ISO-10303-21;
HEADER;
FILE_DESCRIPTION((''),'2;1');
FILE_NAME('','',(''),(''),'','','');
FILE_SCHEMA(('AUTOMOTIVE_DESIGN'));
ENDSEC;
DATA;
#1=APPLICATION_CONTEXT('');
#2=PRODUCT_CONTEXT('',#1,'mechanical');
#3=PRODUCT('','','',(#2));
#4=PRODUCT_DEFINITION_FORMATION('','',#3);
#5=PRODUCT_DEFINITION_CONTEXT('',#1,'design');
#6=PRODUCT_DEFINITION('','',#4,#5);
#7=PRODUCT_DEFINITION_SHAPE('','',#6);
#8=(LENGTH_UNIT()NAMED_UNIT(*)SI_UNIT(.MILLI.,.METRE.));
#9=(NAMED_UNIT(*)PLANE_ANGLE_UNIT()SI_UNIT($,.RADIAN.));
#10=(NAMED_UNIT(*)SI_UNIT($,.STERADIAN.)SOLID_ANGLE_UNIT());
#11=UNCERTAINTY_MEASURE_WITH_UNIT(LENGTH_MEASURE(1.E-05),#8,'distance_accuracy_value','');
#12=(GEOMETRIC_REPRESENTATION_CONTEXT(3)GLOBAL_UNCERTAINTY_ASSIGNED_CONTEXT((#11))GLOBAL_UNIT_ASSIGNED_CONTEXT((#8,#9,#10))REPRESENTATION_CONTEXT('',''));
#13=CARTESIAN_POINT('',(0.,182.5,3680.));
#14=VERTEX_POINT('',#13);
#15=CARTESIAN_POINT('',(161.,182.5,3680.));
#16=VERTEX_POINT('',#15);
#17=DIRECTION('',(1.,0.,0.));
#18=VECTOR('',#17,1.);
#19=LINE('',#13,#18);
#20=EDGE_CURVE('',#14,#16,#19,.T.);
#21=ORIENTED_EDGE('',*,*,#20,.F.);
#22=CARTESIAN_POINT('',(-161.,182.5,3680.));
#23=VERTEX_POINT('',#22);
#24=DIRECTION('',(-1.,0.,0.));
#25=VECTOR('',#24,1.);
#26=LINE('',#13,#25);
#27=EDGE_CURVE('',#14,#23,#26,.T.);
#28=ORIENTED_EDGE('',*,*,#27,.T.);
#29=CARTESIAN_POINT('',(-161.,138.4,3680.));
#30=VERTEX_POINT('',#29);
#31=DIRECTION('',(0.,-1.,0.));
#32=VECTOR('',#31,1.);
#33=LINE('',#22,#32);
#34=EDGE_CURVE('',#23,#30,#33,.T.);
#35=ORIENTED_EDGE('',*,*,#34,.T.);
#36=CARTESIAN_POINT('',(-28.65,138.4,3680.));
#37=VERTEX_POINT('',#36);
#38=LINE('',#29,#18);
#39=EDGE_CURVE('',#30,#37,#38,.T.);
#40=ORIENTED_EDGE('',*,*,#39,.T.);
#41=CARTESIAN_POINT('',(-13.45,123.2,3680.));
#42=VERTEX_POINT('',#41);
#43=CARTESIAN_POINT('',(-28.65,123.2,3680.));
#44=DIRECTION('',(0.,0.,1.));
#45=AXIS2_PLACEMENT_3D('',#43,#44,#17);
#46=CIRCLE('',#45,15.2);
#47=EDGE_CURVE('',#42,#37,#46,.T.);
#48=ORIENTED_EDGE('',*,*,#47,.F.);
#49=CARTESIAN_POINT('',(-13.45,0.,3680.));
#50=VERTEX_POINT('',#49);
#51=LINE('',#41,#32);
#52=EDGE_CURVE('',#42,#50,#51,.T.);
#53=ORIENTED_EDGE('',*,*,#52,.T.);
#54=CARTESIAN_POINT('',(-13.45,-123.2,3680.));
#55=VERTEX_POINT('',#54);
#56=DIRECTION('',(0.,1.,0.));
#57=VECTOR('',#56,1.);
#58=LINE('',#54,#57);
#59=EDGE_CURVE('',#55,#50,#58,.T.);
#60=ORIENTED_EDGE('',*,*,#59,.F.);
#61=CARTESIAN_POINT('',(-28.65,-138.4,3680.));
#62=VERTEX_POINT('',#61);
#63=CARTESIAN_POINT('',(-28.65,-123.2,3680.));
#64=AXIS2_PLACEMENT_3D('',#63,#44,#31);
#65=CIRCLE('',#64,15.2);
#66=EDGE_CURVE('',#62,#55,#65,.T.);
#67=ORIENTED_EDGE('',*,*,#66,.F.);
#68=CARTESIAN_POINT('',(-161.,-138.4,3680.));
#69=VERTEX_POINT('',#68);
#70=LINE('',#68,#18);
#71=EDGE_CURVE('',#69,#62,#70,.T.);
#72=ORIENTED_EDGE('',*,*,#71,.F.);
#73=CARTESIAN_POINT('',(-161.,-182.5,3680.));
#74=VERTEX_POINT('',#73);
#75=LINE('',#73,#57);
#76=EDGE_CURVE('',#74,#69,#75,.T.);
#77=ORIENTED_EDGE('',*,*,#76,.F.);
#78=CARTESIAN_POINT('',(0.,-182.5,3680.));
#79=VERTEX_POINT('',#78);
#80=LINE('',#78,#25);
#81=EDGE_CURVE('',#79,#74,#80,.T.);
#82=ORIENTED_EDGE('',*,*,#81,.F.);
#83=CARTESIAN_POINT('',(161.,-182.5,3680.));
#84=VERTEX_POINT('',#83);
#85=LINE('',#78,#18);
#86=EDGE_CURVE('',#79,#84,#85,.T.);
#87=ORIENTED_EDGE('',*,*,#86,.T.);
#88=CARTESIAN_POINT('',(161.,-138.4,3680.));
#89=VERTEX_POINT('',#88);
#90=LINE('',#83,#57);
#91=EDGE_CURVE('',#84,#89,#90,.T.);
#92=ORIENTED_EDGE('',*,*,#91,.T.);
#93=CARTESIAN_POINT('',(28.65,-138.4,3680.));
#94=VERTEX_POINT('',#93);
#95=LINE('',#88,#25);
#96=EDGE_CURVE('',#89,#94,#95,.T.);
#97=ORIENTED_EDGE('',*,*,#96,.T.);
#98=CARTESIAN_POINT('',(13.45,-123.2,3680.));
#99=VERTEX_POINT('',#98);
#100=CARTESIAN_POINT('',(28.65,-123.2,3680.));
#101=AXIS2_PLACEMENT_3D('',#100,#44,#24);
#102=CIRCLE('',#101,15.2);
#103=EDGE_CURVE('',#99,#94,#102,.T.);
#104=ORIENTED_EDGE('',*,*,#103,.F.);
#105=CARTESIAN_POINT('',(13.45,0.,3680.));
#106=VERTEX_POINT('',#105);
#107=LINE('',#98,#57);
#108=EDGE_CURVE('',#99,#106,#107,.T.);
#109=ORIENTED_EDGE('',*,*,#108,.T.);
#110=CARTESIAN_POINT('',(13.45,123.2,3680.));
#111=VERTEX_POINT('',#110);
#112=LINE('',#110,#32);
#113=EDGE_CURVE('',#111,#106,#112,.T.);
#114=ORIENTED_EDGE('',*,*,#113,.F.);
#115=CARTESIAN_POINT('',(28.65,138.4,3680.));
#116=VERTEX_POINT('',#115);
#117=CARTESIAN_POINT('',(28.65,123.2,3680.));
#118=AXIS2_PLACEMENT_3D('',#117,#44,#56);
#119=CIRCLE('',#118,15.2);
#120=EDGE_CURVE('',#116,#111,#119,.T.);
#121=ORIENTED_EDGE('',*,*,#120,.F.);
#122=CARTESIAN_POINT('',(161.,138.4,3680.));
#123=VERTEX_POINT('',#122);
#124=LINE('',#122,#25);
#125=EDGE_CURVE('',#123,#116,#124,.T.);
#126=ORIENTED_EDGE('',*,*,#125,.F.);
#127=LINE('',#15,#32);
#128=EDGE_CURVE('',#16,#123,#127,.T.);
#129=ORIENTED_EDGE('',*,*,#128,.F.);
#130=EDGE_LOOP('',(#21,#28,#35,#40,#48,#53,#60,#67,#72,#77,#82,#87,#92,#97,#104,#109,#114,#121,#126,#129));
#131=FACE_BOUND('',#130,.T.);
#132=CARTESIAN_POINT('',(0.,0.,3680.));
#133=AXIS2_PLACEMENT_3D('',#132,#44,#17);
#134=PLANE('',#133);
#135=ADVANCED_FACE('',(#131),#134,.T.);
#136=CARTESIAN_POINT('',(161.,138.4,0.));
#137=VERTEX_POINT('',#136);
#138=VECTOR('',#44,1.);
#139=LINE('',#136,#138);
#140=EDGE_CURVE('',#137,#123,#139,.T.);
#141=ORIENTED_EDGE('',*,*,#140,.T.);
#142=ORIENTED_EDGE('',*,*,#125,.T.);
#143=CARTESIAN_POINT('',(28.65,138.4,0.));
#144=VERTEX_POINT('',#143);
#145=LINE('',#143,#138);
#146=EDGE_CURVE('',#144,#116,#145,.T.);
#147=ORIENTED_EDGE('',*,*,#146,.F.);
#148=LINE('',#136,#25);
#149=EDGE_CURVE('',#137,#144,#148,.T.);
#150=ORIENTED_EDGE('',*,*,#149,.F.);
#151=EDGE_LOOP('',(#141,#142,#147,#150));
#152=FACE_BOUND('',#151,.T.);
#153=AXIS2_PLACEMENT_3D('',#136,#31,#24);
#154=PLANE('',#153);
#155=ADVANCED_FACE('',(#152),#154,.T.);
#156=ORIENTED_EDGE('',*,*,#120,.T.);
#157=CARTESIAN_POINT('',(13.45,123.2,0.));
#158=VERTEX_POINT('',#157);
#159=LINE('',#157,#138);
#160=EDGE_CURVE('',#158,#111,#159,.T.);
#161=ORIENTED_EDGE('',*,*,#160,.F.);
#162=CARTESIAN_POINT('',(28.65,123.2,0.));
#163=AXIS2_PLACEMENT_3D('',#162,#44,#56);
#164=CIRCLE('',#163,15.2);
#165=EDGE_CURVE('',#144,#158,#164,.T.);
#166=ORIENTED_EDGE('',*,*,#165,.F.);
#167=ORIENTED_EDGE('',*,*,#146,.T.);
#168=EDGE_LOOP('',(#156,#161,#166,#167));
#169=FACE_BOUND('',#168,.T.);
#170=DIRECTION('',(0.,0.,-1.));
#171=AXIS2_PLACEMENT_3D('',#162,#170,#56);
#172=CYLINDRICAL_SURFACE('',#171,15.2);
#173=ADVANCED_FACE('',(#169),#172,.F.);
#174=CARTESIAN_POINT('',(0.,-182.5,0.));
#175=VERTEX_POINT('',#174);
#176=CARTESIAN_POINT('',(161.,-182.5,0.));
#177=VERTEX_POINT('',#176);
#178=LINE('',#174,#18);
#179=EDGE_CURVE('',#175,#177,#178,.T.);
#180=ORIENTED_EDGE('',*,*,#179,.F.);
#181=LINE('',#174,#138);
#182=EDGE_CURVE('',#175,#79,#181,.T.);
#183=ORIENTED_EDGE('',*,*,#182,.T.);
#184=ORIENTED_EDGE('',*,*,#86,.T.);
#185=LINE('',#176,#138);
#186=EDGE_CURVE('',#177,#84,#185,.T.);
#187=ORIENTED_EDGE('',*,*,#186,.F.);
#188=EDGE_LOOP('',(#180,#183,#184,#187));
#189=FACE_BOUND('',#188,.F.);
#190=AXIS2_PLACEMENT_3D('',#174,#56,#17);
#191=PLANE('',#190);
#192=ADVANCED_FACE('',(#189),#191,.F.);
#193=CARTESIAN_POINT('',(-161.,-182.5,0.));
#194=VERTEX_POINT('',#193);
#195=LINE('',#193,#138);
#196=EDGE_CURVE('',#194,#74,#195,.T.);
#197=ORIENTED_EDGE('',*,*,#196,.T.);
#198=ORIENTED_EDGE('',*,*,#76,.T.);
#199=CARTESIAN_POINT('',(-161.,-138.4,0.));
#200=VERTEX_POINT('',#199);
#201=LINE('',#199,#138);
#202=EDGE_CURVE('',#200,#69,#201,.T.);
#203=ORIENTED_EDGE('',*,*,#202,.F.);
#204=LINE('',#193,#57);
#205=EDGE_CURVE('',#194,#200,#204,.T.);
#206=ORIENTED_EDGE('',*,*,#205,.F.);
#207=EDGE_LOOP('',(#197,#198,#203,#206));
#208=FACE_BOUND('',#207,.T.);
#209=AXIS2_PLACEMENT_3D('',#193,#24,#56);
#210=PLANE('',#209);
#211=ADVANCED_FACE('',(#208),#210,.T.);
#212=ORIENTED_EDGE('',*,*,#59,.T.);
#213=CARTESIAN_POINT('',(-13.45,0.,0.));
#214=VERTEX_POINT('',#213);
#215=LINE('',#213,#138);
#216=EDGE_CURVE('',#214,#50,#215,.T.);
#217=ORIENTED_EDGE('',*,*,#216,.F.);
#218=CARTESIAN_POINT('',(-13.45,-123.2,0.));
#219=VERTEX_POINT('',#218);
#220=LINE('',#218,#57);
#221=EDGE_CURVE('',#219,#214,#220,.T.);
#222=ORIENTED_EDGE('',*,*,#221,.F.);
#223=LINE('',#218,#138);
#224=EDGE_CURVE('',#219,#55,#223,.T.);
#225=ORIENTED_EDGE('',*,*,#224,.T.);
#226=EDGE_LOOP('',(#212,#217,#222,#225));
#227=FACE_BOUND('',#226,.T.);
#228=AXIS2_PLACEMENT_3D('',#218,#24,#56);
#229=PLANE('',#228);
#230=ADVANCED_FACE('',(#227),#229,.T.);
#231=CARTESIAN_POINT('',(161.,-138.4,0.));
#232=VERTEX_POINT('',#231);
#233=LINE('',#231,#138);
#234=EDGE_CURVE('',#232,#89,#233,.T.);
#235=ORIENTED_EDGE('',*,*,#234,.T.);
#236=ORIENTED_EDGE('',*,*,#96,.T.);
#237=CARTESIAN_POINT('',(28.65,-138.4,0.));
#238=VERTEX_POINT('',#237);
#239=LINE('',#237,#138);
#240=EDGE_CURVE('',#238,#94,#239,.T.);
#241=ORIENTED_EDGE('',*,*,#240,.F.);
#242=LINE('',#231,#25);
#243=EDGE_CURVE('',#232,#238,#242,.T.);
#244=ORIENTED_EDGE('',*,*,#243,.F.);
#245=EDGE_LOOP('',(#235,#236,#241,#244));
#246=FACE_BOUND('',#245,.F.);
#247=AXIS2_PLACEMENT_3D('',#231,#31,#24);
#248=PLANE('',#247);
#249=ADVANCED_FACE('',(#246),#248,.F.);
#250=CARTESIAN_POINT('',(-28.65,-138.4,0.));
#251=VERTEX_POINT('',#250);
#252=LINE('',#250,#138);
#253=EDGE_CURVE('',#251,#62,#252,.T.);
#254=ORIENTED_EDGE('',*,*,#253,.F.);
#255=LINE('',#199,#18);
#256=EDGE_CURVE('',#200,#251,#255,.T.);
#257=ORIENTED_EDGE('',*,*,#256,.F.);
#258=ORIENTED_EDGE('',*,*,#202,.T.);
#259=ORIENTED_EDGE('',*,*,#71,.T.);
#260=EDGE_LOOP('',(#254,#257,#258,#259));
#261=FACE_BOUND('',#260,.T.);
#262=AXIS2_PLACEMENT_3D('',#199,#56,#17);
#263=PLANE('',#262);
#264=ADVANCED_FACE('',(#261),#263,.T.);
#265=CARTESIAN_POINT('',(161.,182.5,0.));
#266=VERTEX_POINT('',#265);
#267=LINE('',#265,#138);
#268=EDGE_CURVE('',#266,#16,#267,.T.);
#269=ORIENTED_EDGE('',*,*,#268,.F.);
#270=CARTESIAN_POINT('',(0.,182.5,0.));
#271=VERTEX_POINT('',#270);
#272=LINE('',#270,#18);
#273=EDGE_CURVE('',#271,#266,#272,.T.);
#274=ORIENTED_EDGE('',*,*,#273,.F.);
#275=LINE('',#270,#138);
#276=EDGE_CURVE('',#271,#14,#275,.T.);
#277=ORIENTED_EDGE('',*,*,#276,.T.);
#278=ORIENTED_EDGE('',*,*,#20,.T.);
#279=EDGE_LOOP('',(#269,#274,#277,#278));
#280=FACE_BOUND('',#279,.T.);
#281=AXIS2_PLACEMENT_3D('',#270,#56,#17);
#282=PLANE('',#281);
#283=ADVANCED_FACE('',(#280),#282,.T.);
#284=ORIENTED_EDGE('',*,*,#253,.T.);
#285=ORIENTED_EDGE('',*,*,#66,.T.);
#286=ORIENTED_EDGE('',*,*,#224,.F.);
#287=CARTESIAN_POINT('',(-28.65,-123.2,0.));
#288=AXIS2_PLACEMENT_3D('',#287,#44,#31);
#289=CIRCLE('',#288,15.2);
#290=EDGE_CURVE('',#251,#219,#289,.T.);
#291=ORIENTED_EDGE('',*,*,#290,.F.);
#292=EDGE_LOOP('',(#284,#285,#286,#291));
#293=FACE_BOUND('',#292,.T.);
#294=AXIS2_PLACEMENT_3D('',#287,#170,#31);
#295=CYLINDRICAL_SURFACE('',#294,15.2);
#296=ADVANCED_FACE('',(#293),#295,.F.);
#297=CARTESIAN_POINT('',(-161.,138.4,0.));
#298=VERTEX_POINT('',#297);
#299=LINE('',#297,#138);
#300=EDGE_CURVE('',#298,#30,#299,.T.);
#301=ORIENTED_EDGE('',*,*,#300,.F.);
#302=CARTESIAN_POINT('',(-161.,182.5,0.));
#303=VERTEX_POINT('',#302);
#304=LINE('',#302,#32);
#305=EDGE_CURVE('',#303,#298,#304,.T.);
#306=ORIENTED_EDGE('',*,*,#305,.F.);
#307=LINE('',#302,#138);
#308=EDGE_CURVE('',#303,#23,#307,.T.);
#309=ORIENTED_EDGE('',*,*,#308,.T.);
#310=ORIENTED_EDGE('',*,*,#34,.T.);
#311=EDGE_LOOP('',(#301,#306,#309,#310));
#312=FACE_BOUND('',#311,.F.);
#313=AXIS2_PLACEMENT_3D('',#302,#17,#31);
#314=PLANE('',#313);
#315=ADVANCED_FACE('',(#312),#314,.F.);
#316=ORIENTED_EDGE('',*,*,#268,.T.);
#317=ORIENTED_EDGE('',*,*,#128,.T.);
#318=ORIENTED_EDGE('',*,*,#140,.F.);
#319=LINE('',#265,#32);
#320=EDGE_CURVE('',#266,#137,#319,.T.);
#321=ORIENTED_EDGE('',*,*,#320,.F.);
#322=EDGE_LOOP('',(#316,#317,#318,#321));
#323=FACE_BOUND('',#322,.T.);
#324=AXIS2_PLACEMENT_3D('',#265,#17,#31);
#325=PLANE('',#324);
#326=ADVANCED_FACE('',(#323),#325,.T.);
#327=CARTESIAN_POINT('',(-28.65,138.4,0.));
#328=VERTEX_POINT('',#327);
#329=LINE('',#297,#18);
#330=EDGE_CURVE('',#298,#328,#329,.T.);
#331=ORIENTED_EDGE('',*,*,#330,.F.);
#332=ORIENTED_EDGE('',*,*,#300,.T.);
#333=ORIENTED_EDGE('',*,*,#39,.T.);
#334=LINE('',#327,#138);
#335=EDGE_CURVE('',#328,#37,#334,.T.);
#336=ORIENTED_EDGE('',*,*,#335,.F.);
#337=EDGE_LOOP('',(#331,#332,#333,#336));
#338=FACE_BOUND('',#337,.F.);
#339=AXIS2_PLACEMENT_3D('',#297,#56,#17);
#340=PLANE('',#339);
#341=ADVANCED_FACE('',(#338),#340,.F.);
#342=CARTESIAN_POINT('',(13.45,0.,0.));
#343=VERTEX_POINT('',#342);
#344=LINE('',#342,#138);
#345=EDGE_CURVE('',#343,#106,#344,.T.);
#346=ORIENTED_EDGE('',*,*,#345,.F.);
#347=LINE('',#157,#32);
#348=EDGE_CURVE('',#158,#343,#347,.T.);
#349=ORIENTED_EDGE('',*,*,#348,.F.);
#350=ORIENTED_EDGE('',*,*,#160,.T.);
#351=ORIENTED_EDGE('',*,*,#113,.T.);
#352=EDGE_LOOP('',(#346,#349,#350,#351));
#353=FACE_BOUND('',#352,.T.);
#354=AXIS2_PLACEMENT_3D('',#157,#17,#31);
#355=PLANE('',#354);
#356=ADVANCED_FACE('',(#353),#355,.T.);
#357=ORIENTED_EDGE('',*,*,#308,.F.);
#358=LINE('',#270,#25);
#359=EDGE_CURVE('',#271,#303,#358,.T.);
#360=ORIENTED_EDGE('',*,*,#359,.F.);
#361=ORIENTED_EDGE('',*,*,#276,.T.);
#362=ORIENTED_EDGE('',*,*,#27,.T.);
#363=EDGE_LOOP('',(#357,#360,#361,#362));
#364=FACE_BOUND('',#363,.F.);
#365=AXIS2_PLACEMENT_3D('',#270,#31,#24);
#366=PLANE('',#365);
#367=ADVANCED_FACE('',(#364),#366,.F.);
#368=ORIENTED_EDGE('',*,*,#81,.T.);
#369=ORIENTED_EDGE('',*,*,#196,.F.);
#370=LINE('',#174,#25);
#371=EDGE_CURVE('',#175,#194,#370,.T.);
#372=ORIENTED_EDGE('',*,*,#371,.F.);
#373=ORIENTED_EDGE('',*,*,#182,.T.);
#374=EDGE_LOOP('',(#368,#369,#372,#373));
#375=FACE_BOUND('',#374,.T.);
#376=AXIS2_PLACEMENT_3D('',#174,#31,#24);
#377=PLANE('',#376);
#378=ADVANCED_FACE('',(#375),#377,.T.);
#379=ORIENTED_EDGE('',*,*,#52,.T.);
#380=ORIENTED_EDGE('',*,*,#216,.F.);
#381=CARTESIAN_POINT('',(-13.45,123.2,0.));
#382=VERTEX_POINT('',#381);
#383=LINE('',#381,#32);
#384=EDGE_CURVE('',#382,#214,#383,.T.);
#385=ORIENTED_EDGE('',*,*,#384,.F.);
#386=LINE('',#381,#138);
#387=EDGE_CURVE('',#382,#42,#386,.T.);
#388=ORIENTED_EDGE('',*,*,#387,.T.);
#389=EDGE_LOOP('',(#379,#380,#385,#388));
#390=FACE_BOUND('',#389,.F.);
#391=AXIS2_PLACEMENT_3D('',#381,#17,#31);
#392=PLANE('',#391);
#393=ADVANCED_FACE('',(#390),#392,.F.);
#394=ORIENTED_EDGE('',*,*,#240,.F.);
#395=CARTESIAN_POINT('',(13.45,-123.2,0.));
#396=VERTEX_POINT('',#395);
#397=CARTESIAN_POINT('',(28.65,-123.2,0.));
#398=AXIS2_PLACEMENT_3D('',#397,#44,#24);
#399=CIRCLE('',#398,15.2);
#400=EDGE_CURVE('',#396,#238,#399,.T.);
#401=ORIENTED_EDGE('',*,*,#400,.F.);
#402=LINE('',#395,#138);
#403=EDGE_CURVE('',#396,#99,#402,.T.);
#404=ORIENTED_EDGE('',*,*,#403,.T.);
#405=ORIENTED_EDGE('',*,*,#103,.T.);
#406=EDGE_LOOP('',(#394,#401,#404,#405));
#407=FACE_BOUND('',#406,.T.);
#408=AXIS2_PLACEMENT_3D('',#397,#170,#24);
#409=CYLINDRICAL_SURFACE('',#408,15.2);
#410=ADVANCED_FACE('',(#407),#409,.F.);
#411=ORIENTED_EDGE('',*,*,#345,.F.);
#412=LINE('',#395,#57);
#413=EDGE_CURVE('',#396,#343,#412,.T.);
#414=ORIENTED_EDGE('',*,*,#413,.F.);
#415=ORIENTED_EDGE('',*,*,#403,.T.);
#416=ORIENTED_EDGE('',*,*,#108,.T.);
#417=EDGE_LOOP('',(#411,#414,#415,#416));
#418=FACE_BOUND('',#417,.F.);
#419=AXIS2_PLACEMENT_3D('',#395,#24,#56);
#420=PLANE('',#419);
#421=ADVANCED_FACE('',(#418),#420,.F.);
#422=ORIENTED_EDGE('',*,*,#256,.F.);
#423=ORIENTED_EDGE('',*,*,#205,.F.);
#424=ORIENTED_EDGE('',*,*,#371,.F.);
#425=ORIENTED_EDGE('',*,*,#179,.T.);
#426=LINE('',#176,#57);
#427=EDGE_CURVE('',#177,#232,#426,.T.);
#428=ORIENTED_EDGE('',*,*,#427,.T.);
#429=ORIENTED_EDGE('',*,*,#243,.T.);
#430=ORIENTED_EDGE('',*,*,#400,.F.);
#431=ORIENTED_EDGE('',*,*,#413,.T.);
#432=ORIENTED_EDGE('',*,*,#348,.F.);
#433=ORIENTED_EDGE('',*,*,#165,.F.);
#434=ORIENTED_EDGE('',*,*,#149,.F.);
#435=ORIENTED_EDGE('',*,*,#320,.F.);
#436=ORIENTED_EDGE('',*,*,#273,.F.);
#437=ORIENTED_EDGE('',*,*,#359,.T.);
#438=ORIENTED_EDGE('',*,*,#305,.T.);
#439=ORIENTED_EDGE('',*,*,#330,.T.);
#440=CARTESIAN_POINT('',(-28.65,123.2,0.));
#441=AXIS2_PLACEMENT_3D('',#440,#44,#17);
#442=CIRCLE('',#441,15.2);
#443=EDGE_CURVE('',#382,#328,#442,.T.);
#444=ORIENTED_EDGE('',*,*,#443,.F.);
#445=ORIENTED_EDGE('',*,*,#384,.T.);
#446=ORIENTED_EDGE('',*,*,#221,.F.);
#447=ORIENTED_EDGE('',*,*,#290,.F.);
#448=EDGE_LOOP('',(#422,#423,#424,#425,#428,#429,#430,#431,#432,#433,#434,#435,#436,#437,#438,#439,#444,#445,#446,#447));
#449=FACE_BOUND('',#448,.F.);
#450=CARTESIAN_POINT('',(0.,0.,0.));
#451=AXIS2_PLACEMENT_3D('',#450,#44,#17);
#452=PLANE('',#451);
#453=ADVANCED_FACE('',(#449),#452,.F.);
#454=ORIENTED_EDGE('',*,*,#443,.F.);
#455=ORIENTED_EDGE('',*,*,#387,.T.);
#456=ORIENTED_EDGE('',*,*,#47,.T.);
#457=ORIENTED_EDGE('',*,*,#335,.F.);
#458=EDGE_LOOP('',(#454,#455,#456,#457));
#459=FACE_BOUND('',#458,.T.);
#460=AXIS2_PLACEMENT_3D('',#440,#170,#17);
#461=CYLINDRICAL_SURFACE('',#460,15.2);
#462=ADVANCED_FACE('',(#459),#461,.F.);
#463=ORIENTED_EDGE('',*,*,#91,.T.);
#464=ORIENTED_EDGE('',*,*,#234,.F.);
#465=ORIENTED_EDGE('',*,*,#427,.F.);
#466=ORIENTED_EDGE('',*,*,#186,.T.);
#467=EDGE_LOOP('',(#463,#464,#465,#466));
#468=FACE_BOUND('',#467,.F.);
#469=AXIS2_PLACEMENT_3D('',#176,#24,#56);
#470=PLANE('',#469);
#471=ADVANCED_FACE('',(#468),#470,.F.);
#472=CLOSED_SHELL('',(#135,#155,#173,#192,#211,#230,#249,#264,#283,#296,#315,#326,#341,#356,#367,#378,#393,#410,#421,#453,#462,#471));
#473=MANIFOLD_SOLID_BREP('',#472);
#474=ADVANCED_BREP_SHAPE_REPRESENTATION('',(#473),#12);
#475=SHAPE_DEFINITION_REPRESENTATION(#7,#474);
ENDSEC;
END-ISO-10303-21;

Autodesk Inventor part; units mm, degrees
ref_plane "YZ Plane" through (0, 0, 0) normal (1, 0, 0) x (0, 1, 0)
ref_plane "Start plane" through (0, 0, 0) normal (0, 0, 1) x (1, 0, 0)
ref_plane "End plane" through (0, 0, 3680) normal (0, 0, 1) x (1, 0, 0)
sketch "Sketch" plane through (0, 0, 0) normal (0, 0, 1) x (1, 0, 0)
  line L0 (-161, -182.5) -> (-161, -138.4)
  line L1 (-161, -138.4) -> (-28.65, -138.4)
  line L2 (-13.45, -123.2) -> (-13.45, 0)
  line L3 (-13.45, 0) -> (0, 0) construction
  line L4 (0, 0) -> (0, -182.5) construction
  line L5 (0, -182.5) -> (-161, -182.5)
  line L6 (-60, 0) -> (80, 0) construction
  line L7 (0, -60) -> (0, 80) construction
  line L8 (161, -182.5) -> (161, -138.4)
  line L9 (161, -138.4) -> (28.65, -138.4)
  line L10 (13.45, -123.2) -> (13.45, 0)
  line L11 (13.45, 0) -> (0, 0) construction
  line L12 (0, -182.5) -> (161, -182.5)
  line L13 (-161, 182.5) -> (-161, 138.4)
  line L14 (-161, 138.4) -> (-28.65, 138.4)
  line L15 (-13.45, 123.2) -> (-13.45, 0)
  line L16 (0, 182.5) -> (-161, 182.5)
  line L17 (161, 182.5) -> (161, 138.4)
  line L18 (161, 138.4) -> (28.65, 138.4)
  line L19 (0, 182.5) -> (161, 182.5)
  line L20 (13.45, 123.2) -> (13.45, 0)
  arc A0 (-13.45, 123.2) -> (-28.65, 138.4) centre (-28.65, 123.2) ccw
  arc A1 (28.65, 138.4) -> (13.45, 123.2) centre (28.65, 123.2) ccw
  arc A2 (13.45, -123.2) -> (28.65, -138.4) centre (28.65, -123.2) ccw
  arc A3 (-28.65, -138.4) -> (-13.45, -123.2) centre (-28.65, -123.2) ccw
  line L21 (0, 108) -> (0, -88) construction
  line L22 (-88, 0) -> (108, 0) construction
  point P0 (-13.45, -138.4)
  point P1 (13.45, -138.4)
  point P2 (-13.45, 138.4)
  point P3 (13.45, 138.4)
  dimension "d1" = 182.5
  dimension "d2" = 44.1
  dimension "d3" = 161
  dimension "d4" = 13.45
  dimension "d10" = 15.2
extrude "Body" add sketch "Sketch" along normal up to surface (3680 mm away) from surface at 0
sketch "Sketch4" plane through (0, 0, 0) normal (0, 0, 1) x (1, 0, 0)
  line L0 (0, 0) -> (10, 0)
ref_plane "Work Plane3" through (0, 0, 0) normal (0, -1, 0) x (1, 0, 0)
sketch "Sketch5" plane through (0, 0, 0) normal (0, -1, 0) x (1, 0, 0)
  line L0 (-2, 0) -> (12, 0) projected
  line L1 (-2, 3680) -> (12, 3680) projected
  dimension "d14" = 3680
equation "\"d1\" = 0.5 * G_H"
equation "\"d2\" = G_T1"
equation "\"d3\" = 0.5 * G_W"
equation "\"d4\" = 0.5 * G_T"
equation "\"d10\" = G_IR"
equation "\"d5\" = G_L"
equation "\"G_W\" = 322"
equation "\"G_H\" = 365"
equation "\"G_T\" = 26.9"
equation "\"G_T1\" = 44.1"
equation "\"G_IR\" = 15.2"
equation "\"G_L\" = d14"
equation "\"G_OFFSET_START\" = 0"
equation "\"G_OFFSET_END\" = 0"
properties part number "AS 3679 - 310 UC - 283 - 3680" material "Steel, Mild"
